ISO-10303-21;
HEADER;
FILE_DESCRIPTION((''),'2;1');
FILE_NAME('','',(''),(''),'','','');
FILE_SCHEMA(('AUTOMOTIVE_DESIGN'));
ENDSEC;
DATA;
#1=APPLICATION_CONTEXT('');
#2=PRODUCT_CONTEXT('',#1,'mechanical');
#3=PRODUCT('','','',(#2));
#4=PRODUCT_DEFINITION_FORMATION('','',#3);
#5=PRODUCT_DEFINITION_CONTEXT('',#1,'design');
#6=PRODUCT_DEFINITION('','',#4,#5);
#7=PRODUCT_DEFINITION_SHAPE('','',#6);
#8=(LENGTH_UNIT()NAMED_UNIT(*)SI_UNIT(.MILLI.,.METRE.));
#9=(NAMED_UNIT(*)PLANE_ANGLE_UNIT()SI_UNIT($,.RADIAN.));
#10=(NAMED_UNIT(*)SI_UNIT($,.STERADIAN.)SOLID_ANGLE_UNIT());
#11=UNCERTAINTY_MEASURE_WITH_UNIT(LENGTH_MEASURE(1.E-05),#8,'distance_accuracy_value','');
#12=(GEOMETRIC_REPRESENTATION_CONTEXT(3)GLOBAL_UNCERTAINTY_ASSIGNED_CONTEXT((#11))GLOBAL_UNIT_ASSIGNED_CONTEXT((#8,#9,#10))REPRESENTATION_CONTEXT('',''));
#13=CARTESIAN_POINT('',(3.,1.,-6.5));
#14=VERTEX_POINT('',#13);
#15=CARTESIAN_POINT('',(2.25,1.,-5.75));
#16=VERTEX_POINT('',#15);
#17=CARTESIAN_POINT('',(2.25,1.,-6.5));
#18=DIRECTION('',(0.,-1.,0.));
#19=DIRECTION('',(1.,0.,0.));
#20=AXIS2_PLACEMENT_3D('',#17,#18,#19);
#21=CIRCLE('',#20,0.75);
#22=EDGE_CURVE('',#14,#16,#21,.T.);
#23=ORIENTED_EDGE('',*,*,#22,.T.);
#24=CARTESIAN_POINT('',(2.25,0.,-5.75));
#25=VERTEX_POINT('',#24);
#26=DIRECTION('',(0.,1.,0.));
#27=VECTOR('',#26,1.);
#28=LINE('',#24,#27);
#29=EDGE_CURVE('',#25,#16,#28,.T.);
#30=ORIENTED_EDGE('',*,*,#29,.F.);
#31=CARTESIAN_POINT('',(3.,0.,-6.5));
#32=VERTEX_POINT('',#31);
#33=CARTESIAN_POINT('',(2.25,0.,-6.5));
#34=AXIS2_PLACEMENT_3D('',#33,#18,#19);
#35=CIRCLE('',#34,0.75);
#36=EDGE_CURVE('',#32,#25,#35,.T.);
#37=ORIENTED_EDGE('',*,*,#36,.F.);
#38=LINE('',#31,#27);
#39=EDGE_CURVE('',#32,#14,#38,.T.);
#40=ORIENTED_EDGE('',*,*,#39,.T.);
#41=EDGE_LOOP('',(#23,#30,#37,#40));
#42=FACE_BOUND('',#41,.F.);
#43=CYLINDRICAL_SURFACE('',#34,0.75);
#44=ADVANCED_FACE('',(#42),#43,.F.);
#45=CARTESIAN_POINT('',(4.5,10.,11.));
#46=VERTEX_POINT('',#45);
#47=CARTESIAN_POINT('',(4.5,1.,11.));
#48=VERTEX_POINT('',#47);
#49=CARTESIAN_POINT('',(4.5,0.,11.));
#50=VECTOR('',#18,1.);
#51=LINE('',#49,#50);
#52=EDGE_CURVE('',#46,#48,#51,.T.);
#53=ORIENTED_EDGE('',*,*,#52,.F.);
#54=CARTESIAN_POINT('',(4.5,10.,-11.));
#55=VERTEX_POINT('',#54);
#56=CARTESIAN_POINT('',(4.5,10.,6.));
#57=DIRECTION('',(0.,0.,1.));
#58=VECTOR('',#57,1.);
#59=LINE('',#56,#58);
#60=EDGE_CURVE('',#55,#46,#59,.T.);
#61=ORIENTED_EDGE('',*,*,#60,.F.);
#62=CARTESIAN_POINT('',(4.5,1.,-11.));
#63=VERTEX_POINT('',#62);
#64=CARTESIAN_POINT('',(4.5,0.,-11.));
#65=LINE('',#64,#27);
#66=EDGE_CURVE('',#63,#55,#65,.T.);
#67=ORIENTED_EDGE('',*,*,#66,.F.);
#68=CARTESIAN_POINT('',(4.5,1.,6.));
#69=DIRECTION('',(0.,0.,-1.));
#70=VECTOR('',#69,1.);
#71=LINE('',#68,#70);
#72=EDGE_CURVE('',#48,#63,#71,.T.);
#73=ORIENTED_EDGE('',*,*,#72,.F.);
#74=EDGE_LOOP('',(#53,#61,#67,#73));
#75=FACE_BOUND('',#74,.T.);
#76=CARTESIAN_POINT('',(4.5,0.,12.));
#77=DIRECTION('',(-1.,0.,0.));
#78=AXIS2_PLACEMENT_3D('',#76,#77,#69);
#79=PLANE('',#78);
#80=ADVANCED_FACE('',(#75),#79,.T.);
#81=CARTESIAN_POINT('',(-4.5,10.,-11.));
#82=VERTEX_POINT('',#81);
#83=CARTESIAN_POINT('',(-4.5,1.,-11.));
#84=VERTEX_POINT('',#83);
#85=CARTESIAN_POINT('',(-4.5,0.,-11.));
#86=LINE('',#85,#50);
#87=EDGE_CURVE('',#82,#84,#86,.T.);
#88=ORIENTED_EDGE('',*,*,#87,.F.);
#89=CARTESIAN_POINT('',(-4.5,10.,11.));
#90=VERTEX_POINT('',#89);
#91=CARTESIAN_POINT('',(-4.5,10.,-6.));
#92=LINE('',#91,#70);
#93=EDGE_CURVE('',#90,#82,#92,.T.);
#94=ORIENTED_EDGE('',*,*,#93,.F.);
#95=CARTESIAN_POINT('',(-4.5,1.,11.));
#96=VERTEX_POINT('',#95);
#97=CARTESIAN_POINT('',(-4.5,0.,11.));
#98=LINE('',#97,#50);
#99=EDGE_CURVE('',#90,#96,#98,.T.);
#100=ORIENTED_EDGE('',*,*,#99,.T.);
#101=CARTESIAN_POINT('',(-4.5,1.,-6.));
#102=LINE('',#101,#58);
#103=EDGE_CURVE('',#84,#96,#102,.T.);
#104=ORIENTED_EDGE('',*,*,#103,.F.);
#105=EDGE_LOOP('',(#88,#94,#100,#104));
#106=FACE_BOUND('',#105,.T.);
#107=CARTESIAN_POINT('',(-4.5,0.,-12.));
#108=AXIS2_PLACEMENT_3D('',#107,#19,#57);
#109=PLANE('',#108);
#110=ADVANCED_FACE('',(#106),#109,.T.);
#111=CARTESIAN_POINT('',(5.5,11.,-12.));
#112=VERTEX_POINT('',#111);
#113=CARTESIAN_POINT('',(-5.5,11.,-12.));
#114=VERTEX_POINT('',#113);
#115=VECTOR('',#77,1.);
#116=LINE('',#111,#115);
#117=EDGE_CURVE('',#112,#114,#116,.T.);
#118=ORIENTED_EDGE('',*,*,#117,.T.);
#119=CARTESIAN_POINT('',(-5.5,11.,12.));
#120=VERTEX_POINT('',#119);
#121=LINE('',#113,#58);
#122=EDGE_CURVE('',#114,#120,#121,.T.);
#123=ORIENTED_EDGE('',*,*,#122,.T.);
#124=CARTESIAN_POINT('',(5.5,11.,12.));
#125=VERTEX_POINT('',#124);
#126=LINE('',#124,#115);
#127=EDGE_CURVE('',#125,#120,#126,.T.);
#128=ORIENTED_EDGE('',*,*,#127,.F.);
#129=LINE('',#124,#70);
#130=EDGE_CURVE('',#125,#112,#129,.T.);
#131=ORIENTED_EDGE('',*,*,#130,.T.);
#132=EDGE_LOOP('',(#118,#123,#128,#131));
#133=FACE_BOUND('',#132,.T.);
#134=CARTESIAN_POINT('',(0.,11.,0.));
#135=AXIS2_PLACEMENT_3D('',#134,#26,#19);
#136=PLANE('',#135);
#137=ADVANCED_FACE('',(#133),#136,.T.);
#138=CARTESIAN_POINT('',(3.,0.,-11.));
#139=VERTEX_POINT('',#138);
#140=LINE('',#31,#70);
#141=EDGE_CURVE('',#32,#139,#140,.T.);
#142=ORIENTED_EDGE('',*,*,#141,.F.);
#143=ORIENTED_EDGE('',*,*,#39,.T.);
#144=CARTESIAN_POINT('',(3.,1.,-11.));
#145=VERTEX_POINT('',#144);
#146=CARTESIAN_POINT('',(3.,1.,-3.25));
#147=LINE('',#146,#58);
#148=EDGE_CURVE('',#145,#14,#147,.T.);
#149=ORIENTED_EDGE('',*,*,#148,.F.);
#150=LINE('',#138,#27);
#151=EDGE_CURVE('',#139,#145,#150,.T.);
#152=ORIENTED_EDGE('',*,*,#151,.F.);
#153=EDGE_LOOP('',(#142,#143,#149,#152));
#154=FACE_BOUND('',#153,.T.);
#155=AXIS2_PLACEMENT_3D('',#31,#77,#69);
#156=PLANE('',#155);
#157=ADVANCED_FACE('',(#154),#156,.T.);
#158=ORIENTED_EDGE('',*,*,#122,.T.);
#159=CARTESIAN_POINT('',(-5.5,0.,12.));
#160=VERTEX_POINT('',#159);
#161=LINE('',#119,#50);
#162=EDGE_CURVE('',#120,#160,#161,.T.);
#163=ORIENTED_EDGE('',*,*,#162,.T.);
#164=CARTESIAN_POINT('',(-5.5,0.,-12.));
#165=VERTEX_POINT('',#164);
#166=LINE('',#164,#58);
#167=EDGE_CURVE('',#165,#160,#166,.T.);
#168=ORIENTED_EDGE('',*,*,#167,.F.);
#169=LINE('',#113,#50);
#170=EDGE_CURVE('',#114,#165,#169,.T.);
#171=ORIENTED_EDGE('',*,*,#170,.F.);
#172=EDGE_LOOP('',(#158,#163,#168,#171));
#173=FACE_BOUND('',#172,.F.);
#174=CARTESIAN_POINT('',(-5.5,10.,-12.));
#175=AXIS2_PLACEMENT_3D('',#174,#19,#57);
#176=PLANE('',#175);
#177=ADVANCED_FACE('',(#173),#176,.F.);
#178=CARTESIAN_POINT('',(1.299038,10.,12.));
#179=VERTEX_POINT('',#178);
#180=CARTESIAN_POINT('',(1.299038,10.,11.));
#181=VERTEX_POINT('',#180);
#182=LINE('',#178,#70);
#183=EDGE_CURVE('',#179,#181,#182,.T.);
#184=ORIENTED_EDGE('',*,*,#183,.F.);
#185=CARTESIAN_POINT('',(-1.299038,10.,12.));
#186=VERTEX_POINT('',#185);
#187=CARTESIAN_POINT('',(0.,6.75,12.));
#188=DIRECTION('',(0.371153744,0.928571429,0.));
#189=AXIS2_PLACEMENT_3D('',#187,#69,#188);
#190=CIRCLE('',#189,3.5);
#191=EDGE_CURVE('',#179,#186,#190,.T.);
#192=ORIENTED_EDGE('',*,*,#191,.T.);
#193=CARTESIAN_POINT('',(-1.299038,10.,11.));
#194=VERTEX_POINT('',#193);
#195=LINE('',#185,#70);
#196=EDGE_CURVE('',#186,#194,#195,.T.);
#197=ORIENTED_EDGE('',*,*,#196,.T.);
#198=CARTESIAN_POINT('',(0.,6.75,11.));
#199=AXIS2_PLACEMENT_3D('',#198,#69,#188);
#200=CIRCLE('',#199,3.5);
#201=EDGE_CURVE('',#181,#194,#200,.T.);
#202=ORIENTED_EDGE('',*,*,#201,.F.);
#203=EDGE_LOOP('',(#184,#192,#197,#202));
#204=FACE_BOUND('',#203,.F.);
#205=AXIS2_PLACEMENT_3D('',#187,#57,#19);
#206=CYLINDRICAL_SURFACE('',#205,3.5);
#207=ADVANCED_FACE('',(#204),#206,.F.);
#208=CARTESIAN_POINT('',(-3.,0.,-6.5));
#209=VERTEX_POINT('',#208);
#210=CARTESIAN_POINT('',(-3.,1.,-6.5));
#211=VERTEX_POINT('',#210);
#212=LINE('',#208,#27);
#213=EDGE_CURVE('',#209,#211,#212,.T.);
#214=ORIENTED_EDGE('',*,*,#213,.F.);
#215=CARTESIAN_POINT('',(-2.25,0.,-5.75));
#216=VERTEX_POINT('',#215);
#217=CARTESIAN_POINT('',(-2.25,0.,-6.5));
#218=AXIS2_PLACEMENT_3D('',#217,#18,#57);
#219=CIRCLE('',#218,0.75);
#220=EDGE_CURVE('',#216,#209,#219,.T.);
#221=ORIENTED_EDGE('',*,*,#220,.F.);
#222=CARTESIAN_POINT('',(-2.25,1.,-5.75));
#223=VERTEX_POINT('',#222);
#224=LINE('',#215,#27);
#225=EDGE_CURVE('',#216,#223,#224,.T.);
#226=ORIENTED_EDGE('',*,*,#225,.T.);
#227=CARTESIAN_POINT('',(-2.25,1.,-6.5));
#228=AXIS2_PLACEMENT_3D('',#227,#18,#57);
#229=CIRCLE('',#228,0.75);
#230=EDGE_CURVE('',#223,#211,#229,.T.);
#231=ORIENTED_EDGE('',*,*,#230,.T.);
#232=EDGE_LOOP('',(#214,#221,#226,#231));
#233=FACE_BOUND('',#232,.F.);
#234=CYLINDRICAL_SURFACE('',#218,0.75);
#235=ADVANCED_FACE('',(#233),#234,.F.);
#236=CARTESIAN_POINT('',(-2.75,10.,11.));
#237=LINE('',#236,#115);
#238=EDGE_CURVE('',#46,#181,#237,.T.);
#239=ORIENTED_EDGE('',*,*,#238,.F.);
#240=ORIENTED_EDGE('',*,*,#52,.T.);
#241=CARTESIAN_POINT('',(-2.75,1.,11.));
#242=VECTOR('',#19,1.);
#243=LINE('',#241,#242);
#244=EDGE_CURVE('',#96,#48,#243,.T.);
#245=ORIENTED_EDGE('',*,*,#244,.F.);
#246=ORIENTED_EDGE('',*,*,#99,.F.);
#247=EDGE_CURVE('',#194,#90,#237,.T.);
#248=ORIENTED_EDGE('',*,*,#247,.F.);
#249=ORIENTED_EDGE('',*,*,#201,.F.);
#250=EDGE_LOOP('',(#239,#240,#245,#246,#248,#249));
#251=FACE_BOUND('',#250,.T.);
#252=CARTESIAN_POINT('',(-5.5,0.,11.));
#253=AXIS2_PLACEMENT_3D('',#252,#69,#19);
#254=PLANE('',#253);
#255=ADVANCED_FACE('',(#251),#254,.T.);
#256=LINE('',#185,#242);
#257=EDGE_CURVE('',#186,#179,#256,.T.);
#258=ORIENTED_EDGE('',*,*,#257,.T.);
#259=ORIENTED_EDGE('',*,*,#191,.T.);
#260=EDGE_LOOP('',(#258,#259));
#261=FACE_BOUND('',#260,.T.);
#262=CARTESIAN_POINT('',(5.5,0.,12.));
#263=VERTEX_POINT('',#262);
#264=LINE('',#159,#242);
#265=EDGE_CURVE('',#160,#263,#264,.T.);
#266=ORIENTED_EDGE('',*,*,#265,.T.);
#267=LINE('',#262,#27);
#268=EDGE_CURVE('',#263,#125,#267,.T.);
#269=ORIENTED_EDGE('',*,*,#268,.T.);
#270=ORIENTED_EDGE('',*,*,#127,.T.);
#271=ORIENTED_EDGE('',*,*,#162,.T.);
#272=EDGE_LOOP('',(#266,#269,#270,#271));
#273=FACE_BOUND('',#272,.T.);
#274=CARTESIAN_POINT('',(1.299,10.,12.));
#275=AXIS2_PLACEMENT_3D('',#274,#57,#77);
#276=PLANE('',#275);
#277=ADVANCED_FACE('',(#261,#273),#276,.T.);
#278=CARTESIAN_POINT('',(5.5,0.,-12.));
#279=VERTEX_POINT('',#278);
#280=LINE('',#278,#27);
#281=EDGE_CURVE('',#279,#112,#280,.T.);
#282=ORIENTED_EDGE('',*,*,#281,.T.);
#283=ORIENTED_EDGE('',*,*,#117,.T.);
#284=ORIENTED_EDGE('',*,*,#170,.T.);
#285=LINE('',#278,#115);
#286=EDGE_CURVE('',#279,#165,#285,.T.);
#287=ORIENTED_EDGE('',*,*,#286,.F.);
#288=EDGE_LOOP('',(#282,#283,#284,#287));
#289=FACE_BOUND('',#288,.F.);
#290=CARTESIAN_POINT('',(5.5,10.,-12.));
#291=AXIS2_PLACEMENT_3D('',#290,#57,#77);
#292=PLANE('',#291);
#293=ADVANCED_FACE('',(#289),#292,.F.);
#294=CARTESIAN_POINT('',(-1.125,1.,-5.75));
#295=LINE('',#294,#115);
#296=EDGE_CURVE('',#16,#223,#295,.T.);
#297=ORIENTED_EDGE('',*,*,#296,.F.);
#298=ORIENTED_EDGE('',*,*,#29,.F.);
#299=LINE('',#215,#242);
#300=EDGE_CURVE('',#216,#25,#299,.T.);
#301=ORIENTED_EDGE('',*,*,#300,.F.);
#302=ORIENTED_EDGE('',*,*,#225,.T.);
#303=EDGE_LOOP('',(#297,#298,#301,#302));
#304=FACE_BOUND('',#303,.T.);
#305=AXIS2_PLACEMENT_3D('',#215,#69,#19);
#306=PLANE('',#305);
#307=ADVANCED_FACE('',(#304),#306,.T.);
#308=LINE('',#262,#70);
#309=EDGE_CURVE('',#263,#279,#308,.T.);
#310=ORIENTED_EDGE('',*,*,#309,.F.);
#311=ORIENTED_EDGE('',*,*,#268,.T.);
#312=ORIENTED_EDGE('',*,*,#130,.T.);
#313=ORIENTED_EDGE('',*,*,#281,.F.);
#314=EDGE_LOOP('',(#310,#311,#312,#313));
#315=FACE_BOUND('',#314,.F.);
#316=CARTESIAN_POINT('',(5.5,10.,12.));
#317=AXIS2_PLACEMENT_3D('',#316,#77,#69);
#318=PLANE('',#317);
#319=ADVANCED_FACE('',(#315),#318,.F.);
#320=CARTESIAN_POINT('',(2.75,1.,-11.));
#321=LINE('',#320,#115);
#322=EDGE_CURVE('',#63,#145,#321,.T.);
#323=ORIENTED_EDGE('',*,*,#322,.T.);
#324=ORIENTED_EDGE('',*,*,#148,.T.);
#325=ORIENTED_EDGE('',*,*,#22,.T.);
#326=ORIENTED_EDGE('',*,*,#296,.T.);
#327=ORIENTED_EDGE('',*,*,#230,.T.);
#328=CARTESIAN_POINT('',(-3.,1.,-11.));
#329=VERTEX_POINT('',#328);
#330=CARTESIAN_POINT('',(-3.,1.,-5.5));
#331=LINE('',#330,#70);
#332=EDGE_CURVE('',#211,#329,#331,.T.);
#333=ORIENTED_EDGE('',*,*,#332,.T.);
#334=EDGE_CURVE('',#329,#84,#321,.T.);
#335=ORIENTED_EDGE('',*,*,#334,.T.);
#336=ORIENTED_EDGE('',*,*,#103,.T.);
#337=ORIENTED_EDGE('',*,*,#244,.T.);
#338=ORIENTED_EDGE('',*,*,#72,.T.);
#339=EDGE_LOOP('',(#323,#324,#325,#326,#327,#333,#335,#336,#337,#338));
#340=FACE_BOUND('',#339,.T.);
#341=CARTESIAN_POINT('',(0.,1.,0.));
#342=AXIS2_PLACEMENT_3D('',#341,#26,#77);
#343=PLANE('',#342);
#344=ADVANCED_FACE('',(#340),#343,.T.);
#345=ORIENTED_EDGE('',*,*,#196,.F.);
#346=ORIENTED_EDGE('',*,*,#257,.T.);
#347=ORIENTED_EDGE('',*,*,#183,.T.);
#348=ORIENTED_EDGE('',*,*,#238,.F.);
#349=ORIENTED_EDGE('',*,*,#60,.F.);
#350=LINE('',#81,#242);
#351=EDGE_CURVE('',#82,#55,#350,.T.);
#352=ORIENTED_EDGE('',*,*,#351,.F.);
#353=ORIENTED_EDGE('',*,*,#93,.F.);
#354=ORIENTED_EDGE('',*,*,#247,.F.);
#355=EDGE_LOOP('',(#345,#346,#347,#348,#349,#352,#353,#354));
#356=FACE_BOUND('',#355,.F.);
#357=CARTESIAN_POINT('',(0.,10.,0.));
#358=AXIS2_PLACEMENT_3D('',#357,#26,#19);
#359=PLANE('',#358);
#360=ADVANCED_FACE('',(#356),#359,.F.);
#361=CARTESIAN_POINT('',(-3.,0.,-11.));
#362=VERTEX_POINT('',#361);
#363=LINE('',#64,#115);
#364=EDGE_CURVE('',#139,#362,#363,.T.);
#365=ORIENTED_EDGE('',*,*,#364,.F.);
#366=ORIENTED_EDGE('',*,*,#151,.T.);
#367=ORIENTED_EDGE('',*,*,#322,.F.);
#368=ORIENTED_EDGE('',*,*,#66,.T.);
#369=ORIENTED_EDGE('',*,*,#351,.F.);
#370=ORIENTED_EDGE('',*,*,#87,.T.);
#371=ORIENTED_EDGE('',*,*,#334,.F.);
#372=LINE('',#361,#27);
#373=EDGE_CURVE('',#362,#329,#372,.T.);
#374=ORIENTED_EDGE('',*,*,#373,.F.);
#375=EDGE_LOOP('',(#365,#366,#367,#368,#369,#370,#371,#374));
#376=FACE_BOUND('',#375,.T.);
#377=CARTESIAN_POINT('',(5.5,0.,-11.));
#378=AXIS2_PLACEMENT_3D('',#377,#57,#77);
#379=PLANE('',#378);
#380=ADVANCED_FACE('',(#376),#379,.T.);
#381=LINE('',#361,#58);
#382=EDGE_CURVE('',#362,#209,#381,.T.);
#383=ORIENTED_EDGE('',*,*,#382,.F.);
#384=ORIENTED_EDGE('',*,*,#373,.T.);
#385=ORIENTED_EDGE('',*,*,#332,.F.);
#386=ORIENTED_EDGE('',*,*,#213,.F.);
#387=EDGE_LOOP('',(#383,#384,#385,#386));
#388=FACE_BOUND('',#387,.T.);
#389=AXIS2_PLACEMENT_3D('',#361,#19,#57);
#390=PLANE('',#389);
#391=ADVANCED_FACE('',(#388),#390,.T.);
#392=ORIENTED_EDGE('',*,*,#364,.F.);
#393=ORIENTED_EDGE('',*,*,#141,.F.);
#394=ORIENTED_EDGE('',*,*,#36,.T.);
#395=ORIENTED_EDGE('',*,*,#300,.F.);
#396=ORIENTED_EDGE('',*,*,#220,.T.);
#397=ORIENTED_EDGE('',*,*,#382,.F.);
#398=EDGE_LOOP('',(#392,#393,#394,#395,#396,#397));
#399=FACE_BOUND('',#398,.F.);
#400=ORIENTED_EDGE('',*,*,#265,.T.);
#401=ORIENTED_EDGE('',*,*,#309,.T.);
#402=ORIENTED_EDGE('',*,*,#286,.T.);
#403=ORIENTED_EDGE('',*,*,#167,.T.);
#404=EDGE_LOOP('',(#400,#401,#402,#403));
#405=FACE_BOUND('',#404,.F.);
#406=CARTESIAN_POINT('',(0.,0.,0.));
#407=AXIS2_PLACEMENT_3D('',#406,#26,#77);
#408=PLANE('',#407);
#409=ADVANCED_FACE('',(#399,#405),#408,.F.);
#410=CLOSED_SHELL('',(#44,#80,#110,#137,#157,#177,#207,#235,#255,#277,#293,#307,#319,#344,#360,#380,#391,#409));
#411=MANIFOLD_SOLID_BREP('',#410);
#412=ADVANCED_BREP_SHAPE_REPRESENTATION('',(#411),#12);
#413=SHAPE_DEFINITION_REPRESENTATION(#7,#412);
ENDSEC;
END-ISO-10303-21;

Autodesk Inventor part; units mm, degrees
ref_plane "YZ Plane" through (0, 0, 0) normal (1, 0, 0) x (0, 1, 0)
ref_plane "XZ Plane" through (0, 0, 0) normal (0, 1, 0) x (-1, 0, 0)
ref_plane "XY Plane" through (0, 0, 0) normal (0, 0, 1) x (1, 0, 0)
sketch "Sketch1" plane through (0, 0, 0) normal (0, 1, 0) x (-1, 0, 0)
  line L0 (-5.5, -12) -> (5.5, -12)
  line L1 (5.5, -12) -> (5.5, 12)
  line L2 (5.5, 12) -> (-5.5, 12)
  line L3 (-5.5, 12) -> (-5.5, -12)
  line L4 (-5.5, -12) -> (5.5, 12) construction
  line L5 (5.5, -12) -> (-5.5, 12) construction
  point P0 (0, 0)
  dimension "d0" = 11
  dimension "d1" = 24
extrude "Extrusion1" add sketch "Sketch1" along normal blind 10
shell "Shell1" thickness 1 removed faces 1 at (1.8333, 10, 4)
sketch "Sketch2" plane through (-5.5, 0, 12) normal (0, 0, 1) x (1, 0, 0)
  line L0 (0, 10) -> (11, 10) projected
  circle A0 centre (5.5, 6.75) radius 3.5
  point P0 (5.5, 0)
  point P1 (4.201, 10)
  point P2 (6.799, 10)
  dimension "d5" = 7
  dimension "d6" = 0.25
extrude "Extrusion2" cut sketch "Sketch2" against normal blind 9 contours L0 A0 picked at (4.7002, 5.9949)
sketch "Sketch3" plane through (0, 10, 0) normal (0, 1, 0) x (1, 0, 0)
  line L0 (1.299, -12) -> (5.5, -12) projected
  line L1 (5.5, -12) -> (5.5, 12) projected
  line L2 (5.5, 12) -> (-5.5, 12) projected
  line L3 (-5.5, 12) -> (-5.5, -12) projected
  line L4 (-5.5, -12) -> (-1.299, -12) projected
  line L5 (-5.5, 12) -> (5.5, 12)
  line L6 (5.5, 12) -> (5.5, -12)
  line L7 (5.5, -12) -> (-5.5, -12)
  line L8 (-5.5, -12) -> (-5.5, 12)
  point P0 (0, 0)
  point P1 (-1.299, -12)
extrude "Extrusion3" add sketch "Sketch3" along normal blind 1
sketch "Sketch5" plane through (0, 0, 0) normal (0, -1, 0) x (1, 0, 0)
  line L0 (4.5, -11) -> (-4.5, -11) projected
  line L1 (3, -11) -> (-3, -11)
  line L2 (-3, -11) -> (-3, -6.5)
  line L3 (-2.25, -5.75) -> (2.25, -5.75)
  line L4 (3, -6.5) -> (3, -11)
  arc A0 (3, -6.5) -> (2.25, -5.75) centre (2.25, -6.5) ccw
  arc A1 (-2.25, -5.75) -> (-3, -6.5) centre (-2.25, -6.5) ccw
  line L5 (-5.5, -12) -> (-5.5, 12) projected
  line L6 (5.5, 12) -> (5.5, -12) projected
  line L7 (-3, -11) -> (-5.5, -11)
  line L8 (3, -11) -> (5.5, -11)
  point P0 (0, 0)
  point P1 (3, -5.75)
  dimension "d19" = 5.25
  dimension "d20" = 0.75
  dimension "d23" = 6
extrude "Extrusion5" cut sketch "Sketch5" against normal blind 10
properties part number "carcasaXeotype_FLEX-SENSOR"
